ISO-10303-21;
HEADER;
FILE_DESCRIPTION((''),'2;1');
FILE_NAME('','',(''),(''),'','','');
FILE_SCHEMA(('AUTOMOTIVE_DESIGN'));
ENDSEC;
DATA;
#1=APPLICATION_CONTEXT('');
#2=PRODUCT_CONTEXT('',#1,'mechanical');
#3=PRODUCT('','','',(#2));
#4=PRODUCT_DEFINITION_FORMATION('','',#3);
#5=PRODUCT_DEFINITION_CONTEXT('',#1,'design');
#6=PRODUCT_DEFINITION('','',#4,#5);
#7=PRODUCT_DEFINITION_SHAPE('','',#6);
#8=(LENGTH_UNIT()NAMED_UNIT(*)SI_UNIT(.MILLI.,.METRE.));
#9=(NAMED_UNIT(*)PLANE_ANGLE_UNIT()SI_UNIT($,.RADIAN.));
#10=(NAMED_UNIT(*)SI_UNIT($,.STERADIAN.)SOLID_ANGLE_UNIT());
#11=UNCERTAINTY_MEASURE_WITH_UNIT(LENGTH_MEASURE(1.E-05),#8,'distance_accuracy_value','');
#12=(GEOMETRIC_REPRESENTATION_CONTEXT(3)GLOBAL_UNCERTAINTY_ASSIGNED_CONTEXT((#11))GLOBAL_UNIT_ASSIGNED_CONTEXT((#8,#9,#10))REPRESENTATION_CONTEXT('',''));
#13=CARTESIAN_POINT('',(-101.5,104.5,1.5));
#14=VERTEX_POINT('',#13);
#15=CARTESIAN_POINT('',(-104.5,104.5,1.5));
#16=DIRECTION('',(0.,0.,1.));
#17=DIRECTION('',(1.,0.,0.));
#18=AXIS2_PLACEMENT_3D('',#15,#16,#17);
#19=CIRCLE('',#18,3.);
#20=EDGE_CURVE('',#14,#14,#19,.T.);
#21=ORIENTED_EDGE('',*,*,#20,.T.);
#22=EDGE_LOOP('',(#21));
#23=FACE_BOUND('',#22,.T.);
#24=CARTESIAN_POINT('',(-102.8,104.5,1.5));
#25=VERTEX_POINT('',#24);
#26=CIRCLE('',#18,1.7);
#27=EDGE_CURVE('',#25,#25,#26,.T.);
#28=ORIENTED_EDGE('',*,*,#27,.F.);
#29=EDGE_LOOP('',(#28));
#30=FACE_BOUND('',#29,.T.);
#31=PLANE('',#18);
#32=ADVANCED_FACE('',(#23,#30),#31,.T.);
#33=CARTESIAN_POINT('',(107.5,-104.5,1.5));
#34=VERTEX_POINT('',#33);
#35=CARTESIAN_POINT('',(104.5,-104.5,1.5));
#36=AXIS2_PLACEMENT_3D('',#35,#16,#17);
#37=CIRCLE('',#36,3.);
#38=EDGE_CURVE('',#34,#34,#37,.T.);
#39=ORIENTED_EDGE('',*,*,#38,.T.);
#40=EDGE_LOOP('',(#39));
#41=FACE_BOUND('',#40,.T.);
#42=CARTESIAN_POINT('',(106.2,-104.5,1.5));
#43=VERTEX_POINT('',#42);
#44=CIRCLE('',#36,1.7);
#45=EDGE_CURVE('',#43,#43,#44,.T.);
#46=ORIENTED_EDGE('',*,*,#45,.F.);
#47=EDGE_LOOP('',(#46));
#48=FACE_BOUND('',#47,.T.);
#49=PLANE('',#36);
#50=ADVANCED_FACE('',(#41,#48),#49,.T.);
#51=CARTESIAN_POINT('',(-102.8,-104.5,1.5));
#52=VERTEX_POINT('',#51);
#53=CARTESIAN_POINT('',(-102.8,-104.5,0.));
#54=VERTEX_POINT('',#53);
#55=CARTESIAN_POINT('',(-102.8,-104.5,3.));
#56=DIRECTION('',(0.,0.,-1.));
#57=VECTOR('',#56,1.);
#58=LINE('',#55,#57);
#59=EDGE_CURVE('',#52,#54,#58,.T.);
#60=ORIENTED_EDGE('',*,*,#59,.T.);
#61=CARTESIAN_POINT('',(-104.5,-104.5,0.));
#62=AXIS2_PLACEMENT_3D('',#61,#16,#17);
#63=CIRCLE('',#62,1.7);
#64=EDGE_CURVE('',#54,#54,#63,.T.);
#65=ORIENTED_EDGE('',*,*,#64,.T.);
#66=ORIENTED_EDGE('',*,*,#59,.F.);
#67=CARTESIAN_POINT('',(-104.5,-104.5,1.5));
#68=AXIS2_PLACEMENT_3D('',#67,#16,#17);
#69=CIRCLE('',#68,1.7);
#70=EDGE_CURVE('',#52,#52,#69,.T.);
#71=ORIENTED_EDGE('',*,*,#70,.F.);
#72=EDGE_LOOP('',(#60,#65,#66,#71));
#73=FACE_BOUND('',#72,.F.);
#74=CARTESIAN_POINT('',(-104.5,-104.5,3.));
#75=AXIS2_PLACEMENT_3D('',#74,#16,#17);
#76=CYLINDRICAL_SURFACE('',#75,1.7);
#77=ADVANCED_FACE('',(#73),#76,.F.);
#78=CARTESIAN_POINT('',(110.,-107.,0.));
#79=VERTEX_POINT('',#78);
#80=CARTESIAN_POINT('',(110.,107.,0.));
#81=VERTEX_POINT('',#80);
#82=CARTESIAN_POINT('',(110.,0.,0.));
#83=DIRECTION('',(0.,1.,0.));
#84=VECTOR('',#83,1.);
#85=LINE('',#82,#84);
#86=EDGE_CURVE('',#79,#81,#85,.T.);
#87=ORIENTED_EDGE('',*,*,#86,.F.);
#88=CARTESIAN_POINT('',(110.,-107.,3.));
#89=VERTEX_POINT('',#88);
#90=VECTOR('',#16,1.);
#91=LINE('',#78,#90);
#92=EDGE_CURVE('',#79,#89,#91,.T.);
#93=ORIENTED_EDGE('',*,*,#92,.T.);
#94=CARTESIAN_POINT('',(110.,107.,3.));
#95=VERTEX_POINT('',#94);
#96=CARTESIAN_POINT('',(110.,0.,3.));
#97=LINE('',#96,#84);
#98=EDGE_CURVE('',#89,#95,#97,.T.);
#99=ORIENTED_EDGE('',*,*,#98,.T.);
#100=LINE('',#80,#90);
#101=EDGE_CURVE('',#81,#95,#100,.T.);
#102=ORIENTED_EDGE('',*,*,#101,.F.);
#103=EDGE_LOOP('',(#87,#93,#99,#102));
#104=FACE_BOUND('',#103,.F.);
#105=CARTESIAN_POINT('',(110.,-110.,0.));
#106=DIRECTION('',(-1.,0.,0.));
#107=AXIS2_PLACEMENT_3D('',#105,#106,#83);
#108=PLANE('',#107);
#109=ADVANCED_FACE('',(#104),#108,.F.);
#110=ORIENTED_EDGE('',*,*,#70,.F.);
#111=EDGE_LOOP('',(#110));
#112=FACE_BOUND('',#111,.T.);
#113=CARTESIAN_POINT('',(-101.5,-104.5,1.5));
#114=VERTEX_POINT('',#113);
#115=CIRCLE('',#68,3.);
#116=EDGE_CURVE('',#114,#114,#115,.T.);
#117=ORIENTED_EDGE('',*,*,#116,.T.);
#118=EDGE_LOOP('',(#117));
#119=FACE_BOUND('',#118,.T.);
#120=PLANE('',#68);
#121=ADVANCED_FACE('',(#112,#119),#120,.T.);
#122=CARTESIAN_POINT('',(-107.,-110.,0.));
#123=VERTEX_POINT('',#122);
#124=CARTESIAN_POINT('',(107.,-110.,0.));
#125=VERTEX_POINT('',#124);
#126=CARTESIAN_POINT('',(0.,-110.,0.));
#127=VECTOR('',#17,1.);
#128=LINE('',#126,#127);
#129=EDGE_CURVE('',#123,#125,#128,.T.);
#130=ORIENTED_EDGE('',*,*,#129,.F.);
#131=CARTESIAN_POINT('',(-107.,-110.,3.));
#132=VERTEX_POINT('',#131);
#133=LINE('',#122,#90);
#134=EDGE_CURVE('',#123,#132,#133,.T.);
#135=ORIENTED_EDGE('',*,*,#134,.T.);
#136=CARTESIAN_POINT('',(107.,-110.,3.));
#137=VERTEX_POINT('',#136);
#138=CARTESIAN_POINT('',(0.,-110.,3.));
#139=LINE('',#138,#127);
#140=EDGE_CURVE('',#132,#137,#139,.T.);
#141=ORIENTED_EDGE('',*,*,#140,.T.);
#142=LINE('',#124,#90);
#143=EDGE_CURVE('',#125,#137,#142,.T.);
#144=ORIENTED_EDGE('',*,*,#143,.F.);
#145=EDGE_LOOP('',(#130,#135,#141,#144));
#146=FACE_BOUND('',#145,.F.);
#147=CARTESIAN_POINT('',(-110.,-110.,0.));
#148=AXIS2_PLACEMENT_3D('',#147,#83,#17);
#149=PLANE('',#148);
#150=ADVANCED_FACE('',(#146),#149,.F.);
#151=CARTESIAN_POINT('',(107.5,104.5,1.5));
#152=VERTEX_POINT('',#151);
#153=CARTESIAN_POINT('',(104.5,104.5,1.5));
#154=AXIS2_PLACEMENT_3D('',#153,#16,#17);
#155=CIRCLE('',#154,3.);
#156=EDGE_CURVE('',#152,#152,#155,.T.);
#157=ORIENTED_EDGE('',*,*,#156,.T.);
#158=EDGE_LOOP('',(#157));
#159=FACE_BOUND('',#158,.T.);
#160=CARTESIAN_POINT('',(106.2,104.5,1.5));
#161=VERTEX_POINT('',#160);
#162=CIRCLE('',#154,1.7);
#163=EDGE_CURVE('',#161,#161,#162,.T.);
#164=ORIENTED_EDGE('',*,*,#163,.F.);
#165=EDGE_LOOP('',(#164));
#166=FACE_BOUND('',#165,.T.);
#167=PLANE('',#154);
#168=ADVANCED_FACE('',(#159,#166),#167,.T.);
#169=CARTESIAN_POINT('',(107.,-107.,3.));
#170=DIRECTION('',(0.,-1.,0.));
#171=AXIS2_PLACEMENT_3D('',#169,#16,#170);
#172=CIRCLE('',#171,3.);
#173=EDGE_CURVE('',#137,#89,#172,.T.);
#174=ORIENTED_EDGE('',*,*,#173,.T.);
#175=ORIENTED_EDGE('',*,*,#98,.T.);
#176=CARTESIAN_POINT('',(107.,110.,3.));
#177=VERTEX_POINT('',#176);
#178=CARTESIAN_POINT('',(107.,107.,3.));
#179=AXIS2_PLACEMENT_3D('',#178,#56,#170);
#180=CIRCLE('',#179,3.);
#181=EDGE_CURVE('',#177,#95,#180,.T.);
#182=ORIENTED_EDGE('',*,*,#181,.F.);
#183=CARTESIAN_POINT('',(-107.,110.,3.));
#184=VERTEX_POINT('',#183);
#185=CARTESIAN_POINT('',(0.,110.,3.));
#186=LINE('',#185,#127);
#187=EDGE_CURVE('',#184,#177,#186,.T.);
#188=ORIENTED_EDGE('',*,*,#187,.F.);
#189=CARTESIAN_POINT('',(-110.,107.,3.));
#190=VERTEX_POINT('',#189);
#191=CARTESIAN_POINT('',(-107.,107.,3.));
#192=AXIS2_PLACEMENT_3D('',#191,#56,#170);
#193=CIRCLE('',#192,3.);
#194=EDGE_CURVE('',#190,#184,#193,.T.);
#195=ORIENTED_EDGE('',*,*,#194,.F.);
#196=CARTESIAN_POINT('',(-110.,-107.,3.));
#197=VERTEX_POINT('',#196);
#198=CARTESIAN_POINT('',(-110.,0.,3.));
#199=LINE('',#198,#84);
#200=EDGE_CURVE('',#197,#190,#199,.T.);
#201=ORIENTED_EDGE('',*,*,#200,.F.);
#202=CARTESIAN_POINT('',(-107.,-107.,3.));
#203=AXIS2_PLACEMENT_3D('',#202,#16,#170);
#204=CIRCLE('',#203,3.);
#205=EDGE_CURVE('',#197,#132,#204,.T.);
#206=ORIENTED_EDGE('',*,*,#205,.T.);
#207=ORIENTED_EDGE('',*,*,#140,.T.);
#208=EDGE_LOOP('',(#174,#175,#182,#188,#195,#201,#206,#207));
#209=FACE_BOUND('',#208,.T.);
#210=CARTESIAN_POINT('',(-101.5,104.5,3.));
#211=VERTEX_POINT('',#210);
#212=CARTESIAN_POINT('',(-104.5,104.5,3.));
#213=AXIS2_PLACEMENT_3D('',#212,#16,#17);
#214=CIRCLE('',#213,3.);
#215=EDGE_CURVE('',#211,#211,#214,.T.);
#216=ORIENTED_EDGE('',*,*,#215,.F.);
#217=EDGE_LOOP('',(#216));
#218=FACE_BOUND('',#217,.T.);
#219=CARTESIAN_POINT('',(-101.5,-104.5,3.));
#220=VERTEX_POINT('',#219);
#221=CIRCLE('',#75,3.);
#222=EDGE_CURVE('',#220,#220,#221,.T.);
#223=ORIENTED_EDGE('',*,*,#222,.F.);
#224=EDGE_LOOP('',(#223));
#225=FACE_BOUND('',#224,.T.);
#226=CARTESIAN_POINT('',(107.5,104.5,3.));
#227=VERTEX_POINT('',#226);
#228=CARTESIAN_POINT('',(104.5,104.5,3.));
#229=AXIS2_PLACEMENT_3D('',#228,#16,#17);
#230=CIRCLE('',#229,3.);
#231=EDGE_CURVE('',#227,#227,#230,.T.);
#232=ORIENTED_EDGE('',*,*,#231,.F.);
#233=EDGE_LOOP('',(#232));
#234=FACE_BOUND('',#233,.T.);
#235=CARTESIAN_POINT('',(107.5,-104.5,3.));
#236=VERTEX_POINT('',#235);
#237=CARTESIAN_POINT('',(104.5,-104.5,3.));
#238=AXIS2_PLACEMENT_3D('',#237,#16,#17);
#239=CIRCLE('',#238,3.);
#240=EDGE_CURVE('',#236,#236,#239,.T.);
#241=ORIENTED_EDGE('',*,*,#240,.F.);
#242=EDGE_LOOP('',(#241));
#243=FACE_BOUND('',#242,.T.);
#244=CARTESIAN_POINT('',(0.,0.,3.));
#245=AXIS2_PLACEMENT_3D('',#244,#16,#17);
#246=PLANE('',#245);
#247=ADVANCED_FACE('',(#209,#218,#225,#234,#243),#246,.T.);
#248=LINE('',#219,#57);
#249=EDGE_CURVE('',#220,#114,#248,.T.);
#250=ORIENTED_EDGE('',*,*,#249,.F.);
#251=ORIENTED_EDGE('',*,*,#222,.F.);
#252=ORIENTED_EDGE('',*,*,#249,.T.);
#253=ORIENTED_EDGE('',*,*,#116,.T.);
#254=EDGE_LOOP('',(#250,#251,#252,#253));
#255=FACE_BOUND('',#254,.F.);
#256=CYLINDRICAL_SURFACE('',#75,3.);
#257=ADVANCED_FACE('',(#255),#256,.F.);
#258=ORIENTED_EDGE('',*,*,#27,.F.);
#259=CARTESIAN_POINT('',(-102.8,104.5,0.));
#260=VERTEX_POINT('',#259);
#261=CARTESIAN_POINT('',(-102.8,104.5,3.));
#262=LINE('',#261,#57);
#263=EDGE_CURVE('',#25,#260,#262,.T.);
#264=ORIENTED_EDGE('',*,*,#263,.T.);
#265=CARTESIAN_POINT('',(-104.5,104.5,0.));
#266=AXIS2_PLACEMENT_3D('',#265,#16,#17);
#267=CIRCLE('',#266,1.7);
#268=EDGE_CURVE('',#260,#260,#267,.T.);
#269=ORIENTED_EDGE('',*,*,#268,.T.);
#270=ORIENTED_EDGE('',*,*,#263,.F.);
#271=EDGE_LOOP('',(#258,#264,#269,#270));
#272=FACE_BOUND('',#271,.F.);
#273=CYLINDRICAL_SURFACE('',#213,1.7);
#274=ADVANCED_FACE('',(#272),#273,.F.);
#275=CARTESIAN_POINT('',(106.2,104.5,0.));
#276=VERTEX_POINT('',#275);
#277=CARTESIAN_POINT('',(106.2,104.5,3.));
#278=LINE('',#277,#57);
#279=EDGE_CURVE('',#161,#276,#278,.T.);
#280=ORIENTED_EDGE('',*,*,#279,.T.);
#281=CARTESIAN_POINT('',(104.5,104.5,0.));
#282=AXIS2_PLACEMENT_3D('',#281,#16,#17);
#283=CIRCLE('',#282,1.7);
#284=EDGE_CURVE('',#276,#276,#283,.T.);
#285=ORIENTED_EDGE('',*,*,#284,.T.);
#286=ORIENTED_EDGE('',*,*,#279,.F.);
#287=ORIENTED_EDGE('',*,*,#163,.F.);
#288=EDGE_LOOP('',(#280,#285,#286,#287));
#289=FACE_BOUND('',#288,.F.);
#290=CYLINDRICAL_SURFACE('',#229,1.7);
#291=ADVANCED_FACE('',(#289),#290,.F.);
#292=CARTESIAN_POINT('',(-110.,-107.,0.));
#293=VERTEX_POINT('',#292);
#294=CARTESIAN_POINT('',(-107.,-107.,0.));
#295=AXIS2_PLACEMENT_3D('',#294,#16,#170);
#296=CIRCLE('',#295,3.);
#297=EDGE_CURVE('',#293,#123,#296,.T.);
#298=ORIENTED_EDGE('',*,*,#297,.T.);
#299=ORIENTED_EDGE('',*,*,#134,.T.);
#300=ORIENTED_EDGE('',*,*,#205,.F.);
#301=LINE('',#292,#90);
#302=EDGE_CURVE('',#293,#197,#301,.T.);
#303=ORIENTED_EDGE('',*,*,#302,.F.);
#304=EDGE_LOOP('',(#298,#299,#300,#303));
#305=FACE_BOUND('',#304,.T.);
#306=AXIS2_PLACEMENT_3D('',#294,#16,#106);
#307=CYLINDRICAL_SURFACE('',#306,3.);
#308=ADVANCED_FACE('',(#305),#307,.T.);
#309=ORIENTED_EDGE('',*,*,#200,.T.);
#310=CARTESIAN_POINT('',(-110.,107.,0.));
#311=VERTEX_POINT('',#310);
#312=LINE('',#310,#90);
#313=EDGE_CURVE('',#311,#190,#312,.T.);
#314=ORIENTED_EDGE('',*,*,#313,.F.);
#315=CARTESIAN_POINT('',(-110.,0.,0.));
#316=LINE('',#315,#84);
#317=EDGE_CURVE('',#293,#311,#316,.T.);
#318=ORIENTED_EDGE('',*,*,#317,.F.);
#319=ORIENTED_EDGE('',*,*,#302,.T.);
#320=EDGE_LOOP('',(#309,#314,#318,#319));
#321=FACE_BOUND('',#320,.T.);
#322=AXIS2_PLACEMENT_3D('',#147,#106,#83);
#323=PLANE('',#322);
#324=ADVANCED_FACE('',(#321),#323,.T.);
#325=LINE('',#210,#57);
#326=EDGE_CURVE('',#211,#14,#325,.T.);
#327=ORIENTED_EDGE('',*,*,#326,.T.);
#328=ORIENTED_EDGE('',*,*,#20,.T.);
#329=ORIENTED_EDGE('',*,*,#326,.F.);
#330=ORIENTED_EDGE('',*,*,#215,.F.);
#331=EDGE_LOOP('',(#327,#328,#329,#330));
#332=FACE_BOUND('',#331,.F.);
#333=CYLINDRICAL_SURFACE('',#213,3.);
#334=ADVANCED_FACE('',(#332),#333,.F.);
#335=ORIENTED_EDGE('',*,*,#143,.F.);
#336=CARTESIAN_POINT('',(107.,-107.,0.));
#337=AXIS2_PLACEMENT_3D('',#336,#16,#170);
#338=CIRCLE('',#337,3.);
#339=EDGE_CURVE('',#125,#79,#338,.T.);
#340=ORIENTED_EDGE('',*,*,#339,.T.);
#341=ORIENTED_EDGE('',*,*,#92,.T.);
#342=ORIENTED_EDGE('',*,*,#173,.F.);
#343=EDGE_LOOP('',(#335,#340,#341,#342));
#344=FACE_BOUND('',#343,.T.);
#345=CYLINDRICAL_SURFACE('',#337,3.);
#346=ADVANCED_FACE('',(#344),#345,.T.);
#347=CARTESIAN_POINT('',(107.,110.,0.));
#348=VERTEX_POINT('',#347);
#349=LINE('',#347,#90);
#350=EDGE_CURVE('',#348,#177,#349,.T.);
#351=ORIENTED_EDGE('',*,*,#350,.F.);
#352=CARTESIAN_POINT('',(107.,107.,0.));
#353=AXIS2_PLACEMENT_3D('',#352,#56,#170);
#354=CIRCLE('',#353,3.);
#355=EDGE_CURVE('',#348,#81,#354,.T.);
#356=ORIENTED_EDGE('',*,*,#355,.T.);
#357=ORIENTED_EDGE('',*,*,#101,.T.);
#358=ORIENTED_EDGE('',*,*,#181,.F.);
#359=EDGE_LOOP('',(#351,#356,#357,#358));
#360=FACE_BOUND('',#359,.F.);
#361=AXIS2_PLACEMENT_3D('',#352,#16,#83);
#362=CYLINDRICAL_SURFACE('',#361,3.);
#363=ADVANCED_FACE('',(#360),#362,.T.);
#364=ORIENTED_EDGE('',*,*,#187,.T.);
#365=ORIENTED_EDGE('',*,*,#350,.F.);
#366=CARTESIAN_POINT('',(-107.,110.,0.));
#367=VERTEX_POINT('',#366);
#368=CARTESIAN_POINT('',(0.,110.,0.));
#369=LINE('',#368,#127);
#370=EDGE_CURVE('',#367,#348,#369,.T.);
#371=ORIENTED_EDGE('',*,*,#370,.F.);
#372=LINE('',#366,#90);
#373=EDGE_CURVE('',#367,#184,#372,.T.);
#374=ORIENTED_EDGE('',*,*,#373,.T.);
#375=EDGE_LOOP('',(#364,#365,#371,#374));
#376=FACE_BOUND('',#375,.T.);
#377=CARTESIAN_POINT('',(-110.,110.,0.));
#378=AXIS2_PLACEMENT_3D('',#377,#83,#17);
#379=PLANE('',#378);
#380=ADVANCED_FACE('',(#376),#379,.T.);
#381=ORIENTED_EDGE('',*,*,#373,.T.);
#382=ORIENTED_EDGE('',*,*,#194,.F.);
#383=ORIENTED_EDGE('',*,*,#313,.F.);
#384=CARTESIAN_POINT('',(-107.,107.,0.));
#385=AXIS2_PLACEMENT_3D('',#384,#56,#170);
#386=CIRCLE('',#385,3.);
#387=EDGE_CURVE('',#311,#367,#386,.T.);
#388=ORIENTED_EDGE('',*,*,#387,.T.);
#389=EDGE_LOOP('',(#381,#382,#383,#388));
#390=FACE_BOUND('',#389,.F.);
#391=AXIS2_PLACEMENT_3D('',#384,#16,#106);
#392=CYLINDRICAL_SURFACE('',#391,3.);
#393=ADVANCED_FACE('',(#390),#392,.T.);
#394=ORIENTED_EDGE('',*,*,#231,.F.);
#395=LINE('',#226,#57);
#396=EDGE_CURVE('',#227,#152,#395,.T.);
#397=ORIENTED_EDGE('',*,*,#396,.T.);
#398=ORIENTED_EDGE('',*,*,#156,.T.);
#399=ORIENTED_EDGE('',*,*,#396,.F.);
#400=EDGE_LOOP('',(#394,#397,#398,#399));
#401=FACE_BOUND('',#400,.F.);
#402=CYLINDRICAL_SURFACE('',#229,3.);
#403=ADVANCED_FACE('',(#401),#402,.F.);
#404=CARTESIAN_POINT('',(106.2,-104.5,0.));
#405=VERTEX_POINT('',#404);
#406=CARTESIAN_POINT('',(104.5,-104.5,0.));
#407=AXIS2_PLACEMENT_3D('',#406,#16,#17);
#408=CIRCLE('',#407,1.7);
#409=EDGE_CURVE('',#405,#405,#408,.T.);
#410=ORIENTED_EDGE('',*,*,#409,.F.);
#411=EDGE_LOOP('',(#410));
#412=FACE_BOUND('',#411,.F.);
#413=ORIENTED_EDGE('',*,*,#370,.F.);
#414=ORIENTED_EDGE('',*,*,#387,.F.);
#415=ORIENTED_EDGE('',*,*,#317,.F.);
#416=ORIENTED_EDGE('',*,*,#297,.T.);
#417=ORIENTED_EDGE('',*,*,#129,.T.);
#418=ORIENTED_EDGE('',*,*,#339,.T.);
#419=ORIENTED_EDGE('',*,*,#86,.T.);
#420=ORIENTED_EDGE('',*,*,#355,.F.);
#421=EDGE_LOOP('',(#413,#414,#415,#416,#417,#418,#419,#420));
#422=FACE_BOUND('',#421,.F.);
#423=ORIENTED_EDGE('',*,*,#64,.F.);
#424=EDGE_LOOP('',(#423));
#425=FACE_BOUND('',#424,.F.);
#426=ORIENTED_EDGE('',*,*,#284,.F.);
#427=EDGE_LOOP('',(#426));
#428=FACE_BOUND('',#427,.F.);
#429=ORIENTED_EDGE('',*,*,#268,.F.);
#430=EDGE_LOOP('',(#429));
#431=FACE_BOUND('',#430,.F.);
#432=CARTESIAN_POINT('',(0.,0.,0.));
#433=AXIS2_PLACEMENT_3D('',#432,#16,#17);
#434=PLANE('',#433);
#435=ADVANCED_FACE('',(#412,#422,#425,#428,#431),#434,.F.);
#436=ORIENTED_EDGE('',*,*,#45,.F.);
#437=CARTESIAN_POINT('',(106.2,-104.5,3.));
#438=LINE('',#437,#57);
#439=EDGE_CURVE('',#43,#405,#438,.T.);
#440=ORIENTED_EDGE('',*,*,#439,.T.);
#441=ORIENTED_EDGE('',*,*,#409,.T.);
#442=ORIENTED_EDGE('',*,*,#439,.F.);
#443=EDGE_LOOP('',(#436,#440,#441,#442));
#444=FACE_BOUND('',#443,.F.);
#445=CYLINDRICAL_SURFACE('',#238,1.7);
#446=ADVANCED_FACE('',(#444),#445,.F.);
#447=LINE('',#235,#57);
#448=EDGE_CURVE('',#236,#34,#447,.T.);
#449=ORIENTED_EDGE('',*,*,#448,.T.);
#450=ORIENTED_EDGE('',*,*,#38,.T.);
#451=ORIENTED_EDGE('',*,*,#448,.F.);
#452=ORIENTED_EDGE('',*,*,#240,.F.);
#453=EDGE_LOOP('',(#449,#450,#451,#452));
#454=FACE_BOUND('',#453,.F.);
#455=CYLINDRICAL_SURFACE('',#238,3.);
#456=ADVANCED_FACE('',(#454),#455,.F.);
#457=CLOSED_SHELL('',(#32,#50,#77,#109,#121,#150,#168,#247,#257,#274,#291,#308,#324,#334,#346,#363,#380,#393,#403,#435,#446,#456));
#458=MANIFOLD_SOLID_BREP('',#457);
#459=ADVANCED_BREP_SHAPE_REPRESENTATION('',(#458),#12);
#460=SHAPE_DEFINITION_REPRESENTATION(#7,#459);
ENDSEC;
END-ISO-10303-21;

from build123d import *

# Parameters (mm, degrees)
SKETCH_W        = 220
SKETCH_H        = 220
PAD_DEPTH       = 3
SKETCH001_R     = 1.7
POCKET_DEPTH    = 3.001
SKETCH002_R     = 3
POCKET001_DEPTH = 1.5
FILLET_R        = 3


with BuildPart() as part:
    # Sketch → Pad (new body)
    with BuildSketch(Plane.XY):
        Rectangle(SKETCH_W, SKETCH_H)
    extrude(amount=PAD_DEPTH)

    # Sketch001 (on Face6 of Pad) → Pocket (cut, through all)
    with BuildSketch(Plane.XY.offset(3)):
        with Locations((-104.5, 104.5)):
            Circle(SKETCH001_R)
        with Locations((-104.5, -104.5)):
            Circle(SKETCH001_R)
        with Locations((104.5, -104.5)):
            Circle(SKETCH001_R)
        with Locations((104.5, 104.5)):
            Circle(SKETCH001_R)
    extrude(amount=-POCKET_DEPTH, mode=Mode.SUBTRACT)

    # Sketch002 (on Face5 of Pocket) → Pocket001 (cut)
    with BuildSketch(Plane.XY.offset(3)):
        with Locations((-104.5, 104.5)):
            Circle(SKETCH002_R)
        with Locations((-104.5, -104.5)):
            Circle(SKETCH002_R)
        with Locations((104.5, -104.5)):
            Circle(SKETCH002_R)
        with Locations((104.5, 104.5)):
            Circle(SKETCH002_R)
    extrude(amount=-POCKET001_DEPTH, mode=Mode.SUBTRACT)

    # Fillet
    fillet_edges = [part.edges().sort_by_distance(p)[0] for p in [
        (-110, 110, 1.5),
        (-110, -110, 1.5),
        (110, -110, 1.5),
        (110, 110, 1.5),
    ]]
    fillet(fillet_edges, radius=FILLET_R)


solid = part.part
